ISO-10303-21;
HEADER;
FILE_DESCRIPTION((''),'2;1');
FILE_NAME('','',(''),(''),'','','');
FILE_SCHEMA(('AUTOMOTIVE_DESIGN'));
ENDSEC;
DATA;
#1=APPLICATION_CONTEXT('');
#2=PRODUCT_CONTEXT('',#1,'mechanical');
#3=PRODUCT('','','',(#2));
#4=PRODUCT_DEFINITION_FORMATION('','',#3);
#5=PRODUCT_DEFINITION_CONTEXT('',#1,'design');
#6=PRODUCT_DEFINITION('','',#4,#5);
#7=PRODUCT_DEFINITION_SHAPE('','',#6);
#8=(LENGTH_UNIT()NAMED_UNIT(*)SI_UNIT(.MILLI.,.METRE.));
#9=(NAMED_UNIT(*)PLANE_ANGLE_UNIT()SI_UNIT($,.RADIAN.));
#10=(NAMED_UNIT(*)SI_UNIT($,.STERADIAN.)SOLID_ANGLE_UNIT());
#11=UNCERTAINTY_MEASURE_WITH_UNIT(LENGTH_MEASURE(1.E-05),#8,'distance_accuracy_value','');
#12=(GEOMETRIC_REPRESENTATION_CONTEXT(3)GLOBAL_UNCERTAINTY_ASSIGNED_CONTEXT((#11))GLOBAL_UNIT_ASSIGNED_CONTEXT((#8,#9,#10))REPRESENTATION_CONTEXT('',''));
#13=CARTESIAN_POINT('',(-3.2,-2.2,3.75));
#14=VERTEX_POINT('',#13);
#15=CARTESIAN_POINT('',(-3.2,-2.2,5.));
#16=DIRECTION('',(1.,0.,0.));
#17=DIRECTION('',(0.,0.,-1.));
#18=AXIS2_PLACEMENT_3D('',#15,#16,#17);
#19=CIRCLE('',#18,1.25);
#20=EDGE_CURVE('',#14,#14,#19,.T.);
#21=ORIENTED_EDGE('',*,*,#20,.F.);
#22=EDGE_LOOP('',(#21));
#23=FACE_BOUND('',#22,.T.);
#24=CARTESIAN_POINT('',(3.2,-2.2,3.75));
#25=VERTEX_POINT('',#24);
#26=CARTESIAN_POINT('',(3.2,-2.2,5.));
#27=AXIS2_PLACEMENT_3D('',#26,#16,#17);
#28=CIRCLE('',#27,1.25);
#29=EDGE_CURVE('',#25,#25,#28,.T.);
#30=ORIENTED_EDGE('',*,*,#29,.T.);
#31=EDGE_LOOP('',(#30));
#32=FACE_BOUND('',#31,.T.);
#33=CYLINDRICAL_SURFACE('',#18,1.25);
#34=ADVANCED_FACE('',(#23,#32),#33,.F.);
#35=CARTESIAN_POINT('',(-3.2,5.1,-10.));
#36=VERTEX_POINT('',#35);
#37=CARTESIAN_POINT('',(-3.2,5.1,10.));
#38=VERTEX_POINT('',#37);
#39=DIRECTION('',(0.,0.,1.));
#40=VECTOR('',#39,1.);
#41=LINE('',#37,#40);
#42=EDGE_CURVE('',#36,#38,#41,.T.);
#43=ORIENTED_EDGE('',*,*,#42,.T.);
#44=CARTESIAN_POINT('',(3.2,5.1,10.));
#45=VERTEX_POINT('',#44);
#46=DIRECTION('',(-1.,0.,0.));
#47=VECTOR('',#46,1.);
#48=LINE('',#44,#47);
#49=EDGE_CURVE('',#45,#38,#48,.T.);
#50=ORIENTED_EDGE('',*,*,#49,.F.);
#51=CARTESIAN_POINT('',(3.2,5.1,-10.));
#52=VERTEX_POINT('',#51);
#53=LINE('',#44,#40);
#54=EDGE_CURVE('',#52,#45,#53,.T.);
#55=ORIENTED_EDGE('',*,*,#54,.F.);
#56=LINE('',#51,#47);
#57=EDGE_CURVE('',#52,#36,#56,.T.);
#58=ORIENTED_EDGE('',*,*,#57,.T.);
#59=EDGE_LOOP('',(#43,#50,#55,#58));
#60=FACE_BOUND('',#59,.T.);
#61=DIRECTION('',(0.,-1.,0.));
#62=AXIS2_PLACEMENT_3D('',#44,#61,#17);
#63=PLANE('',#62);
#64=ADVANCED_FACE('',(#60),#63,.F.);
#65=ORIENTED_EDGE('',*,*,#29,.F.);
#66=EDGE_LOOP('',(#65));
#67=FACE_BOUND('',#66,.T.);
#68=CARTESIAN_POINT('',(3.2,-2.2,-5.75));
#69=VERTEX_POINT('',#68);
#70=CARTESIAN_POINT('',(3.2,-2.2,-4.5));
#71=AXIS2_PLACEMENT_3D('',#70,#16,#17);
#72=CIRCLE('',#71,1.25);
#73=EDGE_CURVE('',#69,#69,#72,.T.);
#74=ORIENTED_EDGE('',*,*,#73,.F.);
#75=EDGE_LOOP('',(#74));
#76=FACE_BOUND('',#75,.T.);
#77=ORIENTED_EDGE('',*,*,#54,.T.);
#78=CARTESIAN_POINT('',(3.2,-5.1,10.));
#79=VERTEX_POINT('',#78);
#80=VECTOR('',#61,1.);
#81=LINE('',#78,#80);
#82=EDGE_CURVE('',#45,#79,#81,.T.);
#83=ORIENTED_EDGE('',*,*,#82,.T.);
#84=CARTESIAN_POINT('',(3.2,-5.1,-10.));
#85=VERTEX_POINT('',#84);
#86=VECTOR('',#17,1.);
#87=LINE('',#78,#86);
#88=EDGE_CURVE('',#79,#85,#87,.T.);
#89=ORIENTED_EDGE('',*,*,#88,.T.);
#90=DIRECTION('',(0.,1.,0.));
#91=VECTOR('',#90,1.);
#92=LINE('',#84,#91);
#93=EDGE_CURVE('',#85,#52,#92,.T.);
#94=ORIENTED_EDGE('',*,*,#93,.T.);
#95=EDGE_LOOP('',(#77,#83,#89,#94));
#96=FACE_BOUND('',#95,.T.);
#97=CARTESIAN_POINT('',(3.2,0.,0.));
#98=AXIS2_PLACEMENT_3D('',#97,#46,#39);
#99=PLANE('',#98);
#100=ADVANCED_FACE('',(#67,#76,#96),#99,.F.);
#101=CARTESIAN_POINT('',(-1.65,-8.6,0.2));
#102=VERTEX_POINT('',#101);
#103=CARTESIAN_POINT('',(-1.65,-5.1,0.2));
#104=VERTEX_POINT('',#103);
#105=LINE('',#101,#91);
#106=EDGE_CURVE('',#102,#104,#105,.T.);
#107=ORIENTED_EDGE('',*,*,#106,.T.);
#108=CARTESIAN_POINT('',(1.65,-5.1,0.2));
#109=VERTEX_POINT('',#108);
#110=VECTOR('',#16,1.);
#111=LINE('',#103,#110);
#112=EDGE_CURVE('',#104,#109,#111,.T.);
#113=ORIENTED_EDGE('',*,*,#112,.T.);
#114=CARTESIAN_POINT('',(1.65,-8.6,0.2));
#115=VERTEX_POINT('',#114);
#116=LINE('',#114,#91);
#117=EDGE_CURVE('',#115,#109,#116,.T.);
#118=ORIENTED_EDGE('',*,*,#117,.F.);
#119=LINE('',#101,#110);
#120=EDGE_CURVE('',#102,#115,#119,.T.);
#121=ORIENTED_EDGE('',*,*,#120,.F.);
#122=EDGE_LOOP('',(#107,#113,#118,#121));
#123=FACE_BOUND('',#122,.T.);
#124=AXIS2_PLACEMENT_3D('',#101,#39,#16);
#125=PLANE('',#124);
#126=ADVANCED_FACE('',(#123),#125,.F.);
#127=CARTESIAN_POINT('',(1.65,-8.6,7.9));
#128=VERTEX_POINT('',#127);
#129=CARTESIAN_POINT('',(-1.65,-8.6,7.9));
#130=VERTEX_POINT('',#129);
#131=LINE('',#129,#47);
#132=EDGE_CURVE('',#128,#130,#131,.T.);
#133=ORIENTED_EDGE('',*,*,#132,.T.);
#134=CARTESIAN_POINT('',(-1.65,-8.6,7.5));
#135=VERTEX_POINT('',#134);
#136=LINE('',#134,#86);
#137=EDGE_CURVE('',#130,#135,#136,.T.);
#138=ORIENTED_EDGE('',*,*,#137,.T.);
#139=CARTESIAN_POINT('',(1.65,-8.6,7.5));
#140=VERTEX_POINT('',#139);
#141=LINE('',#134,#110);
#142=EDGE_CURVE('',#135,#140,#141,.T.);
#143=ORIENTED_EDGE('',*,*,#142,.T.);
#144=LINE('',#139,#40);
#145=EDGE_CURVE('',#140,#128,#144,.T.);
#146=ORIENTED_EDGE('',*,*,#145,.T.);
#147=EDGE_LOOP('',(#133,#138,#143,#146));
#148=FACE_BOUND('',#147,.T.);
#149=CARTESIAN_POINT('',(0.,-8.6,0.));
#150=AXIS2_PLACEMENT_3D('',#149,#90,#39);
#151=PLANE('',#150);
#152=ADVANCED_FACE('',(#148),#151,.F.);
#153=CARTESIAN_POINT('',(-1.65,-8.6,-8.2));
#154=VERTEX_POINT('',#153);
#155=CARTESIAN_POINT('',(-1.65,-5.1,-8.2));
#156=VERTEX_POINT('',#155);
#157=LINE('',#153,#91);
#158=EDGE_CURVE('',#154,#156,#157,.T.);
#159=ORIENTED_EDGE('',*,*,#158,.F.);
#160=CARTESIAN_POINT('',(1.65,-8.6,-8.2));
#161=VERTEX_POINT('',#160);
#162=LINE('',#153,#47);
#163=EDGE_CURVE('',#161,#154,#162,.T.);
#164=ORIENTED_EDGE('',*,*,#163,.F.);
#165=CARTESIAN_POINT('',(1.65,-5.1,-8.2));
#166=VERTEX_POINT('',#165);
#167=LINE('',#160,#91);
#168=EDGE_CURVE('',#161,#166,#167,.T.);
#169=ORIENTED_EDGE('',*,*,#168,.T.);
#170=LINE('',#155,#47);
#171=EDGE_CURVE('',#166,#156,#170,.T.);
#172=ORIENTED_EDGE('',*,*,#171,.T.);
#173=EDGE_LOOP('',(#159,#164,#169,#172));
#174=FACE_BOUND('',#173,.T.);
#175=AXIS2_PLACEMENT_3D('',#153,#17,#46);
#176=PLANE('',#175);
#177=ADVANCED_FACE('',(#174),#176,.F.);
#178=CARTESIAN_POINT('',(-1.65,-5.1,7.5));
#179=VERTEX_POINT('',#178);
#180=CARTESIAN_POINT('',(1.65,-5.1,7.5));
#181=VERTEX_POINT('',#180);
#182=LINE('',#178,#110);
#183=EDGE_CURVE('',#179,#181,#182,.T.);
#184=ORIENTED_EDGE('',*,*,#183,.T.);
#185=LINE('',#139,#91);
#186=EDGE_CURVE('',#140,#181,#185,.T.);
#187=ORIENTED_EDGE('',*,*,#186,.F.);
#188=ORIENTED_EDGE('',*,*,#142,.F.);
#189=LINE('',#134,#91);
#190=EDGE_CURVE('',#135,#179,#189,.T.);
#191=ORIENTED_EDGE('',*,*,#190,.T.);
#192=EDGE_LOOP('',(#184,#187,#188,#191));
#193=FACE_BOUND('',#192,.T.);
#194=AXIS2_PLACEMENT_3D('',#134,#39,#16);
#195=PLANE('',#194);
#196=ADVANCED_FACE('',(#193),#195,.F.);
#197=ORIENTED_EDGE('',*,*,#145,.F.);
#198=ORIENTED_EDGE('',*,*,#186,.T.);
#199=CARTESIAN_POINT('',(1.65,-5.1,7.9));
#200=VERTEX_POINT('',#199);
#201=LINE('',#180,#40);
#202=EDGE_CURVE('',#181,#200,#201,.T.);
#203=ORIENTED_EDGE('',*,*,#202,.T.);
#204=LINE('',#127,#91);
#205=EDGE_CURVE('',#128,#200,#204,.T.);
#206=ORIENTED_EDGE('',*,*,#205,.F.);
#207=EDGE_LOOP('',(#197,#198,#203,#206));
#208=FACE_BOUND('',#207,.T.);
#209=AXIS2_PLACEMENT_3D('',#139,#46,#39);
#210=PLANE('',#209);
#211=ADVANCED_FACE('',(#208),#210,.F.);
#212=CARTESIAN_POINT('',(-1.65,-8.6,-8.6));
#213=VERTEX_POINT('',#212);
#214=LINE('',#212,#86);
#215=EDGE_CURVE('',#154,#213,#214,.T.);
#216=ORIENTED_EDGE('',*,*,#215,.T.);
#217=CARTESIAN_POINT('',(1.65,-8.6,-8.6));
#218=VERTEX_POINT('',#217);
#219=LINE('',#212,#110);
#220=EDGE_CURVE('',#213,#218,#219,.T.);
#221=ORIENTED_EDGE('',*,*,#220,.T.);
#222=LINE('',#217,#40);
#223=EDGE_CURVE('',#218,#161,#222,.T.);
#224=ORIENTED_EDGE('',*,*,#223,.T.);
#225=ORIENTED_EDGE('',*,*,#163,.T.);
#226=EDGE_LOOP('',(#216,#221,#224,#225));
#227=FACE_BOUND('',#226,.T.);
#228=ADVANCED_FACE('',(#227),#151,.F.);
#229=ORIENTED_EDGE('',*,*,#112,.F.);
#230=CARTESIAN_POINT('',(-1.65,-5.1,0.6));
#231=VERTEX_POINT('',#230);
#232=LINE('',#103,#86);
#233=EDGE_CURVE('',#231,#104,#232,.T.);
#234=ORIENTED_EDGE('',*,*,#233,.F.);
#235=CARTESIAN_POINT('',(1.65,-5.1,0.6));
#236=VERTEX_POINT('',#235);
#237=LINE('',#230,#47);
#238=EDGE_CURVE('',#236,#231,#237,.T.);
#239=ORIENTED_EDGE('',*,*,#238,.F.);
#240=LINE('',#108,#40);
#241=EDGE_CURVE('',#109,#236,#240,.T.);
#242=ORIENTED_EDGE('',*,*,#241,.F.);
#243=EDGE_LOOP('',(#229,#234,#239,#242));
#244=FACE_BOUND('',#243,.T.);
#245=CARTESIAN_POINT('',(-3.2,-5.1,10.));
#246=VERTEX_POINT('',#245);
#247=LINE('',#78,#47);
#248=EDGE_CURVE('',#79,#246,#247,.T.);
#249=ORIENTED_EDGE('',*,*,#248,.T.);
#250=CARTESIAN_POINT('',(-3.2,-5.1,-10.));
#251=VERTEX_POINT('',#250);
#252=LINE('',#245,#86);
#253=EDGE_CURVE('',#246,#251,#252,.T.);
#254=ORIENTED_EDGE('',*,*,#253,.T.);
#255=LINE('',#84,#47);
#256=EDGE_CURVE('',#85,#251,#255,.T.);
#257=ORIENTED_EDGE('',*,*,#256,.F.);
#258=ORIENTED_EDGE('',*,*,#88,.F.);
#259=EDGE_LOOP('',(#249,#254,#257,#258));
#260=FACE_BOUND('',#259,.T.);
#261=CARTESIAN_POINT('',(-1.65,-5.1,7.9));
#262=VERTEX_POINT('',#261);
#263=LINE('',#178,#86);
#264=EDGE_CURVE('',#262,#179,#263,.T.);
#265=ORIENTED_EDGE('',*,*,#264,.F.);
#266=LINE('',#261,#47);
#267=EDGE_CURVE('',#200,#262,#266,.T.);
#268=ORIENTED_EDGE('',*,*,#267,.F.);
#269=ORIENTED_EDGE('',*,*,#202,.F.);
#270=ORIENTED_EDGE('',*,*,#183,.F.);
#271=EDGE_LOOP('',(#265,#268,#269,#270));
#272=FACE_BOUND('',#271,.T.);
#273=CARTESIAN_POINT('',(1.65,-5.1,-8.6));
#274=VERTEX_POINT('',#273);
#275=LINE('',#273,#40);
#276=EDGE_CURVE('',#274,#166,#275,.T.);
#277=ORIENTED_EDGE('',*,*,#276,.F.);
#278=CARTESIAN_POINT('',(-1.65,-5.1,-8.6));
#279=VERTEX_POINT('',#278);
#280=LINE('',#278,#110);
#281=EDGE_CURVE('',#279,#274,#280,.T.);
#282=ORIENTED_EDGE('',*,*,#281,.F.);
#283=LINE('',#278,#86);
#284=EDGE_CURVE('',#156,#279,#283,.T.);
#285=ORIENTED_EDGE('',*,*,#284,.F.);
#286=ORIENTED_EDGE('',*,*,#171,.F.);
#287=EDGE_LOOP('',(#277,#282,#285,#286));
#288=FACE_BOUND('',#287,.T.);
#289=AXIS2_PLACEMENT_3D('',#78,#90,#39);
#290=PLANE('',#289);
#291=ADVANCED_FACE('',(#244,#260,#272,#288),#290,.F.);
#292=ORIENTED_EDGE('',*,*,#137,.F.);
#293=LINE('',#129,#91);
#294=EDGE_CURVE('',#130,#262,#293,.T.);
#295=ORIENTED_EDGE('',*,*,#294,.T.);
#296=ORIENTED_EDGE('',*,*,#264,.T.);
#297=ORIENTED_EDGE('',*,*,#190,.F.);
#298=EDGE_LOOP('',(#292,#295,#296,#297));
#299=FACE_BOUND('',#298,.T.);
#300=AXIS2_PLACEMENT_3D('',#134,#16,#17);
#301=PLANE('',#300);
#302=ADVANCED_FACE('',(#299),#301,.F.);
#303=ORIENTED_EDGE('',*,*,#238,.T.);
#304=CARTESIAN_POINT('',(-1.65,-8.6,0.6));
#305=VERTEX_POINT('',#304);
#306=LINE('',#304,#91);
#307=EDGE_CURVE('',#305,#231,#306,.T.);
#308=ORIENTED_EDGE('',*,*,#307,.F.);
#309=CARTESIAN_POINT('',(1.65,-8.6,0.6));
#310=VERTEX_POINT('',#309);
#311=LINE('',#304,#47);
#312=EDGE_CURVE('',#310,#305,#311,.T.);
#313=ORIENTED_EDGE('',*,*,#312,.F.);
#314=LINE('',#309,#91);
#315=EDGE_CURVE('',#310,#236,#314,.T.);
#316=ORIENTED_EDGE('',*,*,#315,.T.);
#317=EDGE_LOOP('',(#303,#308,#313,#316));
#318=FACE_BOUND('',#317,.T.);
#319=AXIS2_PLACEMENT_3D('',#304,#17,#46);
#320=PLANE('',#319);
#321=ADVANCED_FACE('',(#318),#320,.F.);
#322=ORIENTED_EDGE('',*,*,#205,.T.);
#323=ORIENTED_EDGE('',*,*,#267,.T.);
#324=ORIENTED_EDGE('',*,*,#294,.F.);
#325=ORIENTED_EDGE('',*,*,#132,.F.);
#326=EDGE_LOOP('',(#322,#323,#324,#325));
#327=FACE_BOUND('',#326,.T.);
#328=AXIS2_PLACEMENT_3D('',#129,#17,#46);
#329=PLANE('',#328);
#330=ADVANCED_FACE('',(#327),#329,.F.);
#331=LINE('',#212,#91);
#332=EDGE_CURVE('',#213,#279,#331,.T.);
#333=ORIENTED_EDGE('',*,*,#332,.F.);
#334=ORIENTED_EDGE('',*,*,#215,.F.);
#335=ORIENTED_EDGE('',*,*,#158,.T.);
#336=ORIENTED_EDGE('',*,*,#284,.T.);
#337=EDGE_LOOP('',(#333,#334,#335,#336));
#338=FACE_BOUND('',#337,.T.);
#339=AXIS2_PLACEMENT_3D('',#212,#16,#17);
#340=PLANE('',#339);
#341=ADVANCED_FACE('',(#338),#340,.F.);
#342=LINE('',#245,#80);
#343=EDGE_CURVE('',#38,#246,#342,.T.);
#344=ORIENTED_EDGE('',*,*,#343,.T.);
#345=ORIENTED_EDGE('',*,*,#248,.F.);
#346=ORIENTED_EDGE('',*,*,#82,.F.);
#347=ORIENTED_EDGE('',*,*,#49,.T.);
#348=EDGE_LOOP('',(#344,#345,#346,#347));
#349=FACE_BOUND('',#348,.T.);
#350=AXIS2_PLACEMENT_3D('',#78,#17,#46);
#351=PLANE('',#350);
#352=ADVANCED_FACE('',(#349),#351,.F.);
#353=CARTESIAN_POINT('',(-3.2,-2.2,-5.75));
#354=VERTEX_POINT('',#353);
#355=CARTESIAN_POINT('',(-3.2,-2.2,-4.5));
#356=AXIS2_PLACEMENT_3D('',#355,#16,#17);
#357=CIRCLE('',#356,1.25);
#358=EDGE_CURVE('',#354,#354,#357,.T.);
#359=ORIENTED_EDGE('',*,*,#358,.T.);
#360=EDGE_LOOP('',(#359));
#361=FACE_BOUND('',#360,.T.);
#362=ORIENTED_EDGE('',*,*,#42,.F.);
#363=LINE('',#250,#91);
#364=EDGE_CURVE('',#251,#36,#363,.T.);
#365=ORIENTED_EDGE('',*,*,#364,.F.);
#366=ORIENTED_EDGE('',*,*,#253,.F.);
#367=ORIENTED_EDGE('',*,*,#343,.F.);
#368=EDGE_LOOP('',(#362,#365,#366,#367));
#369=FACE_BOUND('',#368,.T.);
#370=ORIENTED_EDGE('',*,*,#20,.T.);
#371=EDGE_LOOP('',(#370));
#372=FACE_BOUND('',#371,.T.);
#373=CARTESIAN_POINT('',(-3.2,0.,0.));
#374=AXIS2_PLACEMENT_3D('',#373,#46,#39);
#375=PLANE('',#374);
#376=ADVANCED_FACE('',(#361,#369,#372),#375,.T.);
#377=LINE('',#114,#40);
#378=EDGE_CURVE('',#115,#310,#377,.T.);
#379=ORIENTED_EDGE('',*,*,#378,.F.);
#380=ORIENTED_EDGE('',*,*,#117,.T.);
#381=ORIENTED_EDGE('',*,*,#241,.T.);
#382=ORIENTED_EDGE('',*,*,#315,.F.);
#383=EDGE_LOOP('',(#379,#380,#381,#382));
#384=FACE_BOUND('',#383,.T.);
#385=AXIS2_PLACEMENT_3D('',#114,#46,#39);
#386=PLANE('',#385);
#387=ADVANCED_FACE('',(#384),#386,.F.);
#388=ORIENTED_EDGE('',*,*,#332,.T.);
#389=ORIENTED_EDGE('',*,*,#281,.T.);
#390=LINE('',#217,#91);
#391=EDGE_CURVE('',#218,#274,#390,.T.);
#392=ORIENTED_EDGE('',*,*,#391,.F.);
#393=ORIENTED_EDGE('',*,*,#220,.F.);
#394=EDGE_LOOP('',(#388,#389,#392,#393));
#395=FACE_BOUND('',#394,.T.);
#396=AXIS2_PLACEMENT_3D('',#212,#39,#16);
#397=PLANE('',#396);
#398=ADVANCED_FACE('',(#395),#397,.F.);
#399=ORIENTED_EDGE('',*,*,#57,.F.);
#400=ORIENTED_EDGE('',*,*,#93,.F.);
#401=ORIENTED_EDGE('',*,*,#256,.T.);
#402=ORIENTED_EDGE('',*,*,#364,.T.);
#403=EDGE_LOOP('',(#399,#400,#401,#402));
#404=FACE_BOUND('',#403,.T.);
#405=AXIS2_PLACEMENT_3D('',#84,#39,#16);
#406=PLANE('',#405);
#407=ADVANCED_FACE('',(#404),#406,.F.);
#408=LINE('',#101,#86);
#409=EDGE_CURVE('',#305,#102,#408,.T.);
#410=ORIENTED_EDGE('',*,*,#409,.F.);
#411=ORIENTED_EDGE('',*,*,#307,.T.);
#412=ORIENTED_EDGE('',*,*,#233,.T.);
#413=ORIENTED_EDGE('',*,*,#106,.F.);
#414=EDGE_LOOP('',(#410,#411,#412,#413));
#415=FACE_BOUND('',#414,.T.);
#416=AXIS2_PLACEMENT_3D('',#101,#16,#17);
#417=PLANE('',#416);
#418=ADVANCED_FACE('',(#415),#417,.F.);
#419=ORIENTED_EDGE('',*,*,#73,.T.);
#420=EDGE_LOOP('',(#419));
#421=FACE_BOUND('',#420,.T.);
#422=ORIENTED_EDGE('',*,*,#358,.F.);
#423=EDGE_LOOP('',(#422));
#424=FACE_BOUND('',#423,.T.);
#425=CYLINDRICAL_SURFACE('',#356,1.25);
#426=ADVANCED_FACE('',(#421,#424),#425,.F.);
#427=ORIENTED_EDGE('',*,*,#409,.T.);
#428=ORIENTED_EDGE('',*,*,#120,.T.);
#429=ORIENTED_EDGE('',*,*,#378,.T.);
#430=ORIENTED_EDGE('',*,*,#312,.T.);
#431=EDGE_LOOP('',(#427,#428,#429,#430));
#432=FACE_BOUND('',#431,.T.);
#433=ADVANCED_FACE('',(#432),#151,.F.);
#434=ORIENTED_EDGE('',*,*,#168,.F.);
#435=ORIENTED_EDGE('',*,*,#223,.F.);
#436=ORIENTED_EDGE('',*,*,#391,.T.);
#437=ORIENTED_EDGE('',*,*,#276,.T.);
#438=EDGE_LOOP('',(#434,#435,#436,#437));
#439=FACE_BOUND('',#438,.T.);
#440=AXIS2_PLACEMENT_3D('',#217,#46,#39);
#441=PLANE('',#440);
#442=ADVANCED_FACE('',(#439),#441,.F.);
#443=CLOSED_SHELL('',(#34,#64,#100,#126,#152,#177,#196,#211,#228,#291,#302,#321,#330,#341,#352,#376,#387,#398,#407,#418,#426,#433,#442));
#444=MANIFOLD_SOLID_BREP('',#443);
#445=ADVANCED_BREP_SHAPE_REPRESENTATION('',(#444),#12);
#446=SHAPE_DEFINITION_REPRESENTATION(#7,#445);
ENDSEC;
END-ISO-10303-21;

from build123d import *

# Parameters (mm, degrees)
SKETCH1_W               = 20
SKETCH1_H               = 10.2
BOSS_EXTRUDE1_DEPTH     = 3.2
CUT_EXTRUDE1_DEPTH      = 12.67261753
CUT_EXTRUDE1_DEPTH_BACK = 12.67261753
SKETCH2_R               = 1.25
SKETCH3_W               = 3.3
SKETCH3_H               = 0.4
BOSS_EXTRUDE2_DEPTH     = 3.5


with BuildPart() as part:
    # Sketch1 → Boss-Extrude1 (new, symmetric)
    with BuildSketch(Plane(origin=(0, 0, 0), x_dir=(0, 0, -1), z_dir=(1, 0, 0))):
        Rectangle(SKETCH1_W, SKETCH1_H)
    extrude(amount=BOSS_EXTRUDE1_DEPTH, both=True)

    # Sketch2 → Cut-Extrude1 (cut, two sides: drawn at the far end of the back side and taken through both)
    with BuildSketch(Plane(origin=(0, 0, 0), x_dir=(0, 0, -1), z_dir=(1, 0, 0)).offset(-CUT_EXTRUDE1_DEPTH_BACK)):
        with Locations((-5, -2.2)):
            Circle(SKETCH2_R)
        with Locations((4.5, -2.2)):
            Circle(SKETCH2_R)
    extrude(amount=CUT_EXTRUDE1_DEPTH + CUT_EXTRUDE1_DEPTH_BACK, mode=Mode.SUBTRACT)

    # Sketch3 → Boss-Extrude2 (add)
    with BuildSketch(Plane.XZ.offset(5.1)):
        with Locations((0, -8.4)):
            Rectangle(SKETCH3_W, SKETCH3_H)
        with Locations((0, 0.4)):
            Rectangle(SKETCH3_W, SKETCH3_H)
        with Locations((0, 7.7)):
            Rectangle(SKETCH3_W, SKETCH3_H)
    extrude(amount=BOSS_EXTRUDE2_DEPTH)


solid = part.part
